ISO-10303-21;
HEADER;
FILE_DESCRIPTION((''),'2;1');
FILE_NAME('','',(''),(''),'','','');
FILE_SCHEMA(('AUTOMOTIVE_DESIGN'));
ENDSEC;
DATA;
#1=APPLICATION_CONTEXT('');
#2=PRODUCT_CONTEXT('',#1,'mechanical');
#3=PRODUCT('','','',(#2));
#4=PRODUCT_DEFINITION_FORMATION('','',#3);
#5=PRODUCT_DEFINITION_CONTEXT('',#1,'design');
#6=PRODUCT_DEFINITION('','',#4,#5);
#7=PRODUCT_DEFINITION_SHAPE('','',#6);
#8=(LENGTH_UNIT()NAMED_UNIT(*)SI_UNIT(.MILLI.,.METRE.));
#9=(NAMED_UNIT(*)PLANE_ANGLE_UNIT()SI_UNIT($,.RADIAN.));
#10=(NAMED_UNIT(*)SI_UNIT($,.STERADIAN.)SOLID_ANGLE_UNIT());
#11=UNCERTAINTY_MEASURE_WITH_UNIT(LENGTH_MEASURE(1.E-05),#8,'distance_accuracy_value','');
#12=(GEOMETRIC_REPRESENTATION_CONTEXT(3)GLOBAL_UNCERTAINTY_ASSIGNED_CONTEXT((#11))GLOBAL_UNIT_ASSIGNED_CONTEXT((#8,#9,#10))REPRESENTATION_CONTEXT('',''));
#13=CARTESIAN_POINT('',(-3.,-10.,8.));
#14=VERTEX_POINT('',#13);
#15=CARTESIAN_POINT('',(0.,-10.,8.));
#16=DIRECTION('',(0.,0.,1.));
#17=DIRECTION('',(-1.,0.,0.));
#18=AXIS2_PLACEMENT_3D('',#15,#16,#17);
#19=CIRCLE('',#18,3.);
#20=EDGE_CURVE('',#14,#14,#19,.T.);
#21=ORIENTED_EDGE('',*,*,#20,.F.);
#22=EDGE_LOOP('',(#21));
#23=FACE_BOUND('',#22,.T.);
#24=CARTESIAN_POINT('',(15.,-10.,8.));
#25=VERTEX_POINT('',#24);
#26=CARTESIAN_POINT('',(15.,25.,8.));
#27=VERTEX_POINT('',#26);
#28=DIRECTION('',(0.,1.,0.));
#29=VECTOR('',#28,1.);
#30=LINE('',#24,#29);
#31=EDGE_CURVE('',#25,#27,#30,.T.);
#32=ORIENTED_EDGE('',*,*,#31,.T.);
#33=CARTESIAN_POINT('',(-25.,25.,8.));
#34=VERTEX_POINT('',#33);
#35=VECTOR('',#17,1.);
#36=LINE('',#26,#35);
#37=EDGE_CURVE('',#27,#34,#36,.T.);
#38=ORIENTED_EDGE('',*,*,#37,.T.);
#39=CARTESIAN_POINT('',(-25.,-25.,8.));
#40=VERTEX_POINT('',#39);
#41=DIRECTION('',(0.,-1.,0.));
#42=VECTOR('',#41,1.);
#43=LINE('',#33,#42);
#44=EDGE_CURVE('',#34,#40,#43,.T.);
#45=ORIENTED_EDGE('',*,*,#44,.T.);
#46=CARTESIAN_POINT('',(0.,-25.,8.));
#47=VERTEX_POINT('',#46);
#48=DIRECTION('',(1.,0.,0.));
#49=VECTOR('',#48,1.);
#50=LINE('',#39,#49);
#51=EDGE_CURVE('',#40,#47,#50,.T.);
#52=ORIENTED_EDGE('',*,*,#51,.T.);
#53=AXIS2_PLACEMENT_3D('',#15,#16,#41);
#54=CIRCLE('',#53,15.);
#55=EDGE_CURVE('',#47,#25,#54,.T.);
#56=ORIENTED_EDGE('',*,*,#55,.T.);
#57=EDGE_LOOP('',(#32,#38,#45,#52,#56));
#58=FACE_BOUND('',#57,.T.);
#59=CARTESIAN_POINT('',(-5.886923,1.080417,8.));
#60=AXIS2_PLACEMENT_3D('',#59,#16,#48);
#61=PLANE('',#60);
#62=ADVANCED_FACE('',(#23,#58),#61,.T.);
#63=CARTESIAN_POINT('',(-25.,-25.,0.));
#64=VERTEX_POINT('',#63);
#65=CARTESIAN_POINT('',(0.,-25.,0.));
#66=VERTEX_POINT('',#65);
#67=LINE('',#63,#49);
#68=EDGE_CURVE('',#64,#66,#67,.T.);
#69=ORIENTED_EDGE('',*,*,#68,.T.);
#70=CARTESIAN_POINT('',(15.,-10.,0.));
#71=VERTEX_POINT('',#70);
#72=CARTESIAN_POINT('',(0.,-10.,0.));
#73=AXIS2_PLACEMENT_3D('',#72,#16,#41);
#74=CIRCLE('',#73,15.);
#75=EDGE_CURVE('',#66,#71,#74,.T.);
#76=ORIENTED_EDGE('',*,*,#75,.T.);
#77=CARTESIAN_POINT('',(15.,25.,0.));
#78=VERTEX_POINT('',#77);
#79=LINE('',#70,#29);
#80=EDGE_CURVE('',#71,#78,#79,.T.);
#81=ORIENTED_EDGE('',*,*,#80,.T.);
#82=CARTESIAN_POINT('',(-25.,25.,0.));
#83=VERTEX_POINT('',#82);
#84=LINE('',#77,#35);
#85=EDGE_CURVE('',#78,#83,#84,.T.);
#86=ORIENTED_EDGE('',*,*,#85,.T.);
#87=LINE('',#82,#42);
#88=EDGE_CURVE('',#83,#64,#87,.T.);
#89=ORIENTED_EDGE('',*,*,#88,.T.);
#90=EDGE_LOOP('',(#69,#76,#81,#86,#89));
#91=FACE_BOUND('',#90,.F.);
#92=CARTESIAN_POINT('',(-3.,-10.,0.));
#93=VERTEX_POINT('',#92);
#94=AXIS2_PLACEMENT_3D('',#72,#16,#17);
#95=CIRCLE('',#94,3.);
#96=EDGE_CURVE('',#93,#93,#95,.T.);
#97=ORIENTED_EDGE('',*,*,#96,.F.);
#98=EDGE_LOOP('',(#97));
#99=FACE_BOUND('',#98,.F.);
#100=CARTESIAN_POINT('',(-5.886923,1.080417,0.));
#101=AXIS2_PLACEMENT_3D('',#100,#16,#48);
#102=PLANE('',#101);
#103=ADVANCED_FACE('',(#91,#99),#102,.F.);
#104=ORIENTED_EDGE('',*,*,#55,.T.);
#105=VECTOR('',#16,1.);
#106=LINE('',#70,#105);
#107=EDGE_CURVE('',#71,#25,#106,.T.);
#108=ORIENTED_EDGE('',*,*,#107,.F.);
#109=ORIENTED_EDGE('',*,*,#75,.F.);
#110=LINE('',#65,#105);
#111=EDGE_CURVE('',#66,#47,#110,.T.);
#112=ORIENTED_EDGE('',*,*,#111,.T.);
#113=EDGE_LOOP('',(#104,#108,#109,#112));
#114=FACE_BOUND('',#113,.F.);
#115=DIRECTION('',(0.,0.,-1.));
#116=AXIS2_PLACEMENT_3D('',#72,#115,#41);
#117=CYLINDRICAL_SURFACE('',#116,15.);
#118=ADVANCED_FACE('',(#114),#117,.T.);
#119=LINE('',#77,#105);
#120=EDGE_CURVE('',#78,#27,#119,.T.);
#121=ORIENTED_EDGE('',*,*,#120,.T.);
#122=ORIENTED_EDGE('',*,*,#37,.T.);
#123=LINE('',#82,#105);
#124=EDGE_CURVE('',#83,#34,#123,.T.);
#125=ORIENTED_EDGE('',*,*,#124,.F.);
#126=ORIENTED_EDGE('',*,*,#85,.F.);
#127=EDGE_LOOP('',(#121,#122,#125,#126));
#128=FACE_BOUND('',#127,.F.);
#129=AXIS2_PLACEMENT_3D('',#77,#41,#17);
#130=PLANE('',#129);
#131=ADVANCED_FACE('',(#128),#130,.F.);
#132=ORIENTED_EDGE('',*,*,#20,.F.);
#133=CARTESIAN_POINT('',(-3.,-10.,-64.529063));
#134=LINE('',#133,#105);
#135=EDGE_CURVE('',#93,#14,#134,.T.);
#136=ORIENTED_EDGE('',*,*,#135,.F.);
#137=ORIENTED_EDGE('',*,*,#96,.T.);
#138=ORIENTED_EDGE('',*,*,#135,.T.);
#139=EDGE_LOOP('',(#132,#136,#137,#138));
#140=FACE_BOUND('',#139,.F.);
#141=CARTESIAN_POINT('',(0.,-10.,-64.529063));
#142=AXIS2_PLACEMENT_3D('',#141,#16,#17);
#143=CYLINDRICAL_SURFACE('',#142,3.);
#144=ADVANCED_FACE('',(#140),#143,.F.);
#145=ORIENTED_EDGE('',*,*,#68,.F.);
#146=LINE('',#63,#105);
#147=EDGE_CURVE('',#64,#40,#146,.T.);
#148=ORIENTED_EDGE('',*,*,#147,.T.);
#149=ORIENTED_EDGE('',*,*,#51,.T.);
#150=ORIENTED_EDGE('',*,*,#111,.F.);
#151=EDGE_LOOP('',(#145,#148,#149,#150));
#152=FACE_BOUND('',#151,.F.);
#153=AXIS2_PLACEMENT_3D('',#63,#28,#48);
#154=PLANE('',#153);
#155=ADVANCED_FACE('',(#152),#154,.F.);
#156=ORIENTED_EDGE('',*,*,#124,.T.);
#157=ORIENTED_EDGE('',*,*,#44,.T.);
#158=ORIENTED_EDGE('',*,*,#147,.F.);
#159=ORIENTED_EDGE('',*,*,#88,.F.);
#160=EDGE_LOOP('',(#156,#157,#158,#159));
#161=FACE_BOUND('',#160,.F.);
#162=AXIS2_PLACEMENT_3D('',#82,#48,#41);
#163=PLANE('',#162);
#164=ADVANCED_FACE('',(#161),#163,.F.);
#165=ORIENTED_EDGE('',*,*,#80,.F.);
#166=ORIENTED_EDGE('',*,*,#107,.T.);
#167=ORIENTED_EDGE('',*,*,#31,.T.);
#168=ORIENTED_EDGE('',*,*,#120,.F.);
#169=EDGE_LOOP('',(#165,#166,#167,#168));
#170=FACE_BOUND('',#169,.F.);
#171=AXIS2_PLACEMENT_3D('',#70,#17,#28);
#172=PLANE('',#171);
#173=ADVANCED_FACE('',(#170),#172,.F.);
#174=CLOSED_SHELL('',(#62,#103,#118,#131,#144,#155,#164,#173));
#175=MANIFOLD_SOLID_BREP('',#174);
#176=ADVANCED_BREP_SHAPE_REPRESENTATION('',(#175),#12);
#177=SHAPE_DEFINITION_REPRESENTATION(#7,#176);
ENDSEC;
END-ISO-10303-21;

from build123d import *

# Parameters (mm, degrees)
F1_DEPTH = 8
F2_D     = 6


with BuildPart() as f1:
    # F0 (on Top) → F1 (new body)
    with BuildSketch(Plane.XY):
        with BuildLine():
            Line((15, -10), (15, 25))
            Line((15, 25), (-15, 25))
            Line((-15, 25), (-25, 25))
            Line((-25, 25), (-25, -25))
            Line((-25, -25), (-15, -25))
            Line((-15, -25), (0, -25))
            ThreePointArc((0, -25), (10.6066017178, -20.6066017178), (15, -10))
        make_face()
    extrude(amount=F1_DEPTH)

    # F2 (through all)
    with Locations(Plane(origin=(0, 0, 0), x_dir=(1, 0, 0), z_dir=(0, 0, -1))):
        with Locations((0, 10)):
            Hole(F2_D / 2)


solid = f1.part
